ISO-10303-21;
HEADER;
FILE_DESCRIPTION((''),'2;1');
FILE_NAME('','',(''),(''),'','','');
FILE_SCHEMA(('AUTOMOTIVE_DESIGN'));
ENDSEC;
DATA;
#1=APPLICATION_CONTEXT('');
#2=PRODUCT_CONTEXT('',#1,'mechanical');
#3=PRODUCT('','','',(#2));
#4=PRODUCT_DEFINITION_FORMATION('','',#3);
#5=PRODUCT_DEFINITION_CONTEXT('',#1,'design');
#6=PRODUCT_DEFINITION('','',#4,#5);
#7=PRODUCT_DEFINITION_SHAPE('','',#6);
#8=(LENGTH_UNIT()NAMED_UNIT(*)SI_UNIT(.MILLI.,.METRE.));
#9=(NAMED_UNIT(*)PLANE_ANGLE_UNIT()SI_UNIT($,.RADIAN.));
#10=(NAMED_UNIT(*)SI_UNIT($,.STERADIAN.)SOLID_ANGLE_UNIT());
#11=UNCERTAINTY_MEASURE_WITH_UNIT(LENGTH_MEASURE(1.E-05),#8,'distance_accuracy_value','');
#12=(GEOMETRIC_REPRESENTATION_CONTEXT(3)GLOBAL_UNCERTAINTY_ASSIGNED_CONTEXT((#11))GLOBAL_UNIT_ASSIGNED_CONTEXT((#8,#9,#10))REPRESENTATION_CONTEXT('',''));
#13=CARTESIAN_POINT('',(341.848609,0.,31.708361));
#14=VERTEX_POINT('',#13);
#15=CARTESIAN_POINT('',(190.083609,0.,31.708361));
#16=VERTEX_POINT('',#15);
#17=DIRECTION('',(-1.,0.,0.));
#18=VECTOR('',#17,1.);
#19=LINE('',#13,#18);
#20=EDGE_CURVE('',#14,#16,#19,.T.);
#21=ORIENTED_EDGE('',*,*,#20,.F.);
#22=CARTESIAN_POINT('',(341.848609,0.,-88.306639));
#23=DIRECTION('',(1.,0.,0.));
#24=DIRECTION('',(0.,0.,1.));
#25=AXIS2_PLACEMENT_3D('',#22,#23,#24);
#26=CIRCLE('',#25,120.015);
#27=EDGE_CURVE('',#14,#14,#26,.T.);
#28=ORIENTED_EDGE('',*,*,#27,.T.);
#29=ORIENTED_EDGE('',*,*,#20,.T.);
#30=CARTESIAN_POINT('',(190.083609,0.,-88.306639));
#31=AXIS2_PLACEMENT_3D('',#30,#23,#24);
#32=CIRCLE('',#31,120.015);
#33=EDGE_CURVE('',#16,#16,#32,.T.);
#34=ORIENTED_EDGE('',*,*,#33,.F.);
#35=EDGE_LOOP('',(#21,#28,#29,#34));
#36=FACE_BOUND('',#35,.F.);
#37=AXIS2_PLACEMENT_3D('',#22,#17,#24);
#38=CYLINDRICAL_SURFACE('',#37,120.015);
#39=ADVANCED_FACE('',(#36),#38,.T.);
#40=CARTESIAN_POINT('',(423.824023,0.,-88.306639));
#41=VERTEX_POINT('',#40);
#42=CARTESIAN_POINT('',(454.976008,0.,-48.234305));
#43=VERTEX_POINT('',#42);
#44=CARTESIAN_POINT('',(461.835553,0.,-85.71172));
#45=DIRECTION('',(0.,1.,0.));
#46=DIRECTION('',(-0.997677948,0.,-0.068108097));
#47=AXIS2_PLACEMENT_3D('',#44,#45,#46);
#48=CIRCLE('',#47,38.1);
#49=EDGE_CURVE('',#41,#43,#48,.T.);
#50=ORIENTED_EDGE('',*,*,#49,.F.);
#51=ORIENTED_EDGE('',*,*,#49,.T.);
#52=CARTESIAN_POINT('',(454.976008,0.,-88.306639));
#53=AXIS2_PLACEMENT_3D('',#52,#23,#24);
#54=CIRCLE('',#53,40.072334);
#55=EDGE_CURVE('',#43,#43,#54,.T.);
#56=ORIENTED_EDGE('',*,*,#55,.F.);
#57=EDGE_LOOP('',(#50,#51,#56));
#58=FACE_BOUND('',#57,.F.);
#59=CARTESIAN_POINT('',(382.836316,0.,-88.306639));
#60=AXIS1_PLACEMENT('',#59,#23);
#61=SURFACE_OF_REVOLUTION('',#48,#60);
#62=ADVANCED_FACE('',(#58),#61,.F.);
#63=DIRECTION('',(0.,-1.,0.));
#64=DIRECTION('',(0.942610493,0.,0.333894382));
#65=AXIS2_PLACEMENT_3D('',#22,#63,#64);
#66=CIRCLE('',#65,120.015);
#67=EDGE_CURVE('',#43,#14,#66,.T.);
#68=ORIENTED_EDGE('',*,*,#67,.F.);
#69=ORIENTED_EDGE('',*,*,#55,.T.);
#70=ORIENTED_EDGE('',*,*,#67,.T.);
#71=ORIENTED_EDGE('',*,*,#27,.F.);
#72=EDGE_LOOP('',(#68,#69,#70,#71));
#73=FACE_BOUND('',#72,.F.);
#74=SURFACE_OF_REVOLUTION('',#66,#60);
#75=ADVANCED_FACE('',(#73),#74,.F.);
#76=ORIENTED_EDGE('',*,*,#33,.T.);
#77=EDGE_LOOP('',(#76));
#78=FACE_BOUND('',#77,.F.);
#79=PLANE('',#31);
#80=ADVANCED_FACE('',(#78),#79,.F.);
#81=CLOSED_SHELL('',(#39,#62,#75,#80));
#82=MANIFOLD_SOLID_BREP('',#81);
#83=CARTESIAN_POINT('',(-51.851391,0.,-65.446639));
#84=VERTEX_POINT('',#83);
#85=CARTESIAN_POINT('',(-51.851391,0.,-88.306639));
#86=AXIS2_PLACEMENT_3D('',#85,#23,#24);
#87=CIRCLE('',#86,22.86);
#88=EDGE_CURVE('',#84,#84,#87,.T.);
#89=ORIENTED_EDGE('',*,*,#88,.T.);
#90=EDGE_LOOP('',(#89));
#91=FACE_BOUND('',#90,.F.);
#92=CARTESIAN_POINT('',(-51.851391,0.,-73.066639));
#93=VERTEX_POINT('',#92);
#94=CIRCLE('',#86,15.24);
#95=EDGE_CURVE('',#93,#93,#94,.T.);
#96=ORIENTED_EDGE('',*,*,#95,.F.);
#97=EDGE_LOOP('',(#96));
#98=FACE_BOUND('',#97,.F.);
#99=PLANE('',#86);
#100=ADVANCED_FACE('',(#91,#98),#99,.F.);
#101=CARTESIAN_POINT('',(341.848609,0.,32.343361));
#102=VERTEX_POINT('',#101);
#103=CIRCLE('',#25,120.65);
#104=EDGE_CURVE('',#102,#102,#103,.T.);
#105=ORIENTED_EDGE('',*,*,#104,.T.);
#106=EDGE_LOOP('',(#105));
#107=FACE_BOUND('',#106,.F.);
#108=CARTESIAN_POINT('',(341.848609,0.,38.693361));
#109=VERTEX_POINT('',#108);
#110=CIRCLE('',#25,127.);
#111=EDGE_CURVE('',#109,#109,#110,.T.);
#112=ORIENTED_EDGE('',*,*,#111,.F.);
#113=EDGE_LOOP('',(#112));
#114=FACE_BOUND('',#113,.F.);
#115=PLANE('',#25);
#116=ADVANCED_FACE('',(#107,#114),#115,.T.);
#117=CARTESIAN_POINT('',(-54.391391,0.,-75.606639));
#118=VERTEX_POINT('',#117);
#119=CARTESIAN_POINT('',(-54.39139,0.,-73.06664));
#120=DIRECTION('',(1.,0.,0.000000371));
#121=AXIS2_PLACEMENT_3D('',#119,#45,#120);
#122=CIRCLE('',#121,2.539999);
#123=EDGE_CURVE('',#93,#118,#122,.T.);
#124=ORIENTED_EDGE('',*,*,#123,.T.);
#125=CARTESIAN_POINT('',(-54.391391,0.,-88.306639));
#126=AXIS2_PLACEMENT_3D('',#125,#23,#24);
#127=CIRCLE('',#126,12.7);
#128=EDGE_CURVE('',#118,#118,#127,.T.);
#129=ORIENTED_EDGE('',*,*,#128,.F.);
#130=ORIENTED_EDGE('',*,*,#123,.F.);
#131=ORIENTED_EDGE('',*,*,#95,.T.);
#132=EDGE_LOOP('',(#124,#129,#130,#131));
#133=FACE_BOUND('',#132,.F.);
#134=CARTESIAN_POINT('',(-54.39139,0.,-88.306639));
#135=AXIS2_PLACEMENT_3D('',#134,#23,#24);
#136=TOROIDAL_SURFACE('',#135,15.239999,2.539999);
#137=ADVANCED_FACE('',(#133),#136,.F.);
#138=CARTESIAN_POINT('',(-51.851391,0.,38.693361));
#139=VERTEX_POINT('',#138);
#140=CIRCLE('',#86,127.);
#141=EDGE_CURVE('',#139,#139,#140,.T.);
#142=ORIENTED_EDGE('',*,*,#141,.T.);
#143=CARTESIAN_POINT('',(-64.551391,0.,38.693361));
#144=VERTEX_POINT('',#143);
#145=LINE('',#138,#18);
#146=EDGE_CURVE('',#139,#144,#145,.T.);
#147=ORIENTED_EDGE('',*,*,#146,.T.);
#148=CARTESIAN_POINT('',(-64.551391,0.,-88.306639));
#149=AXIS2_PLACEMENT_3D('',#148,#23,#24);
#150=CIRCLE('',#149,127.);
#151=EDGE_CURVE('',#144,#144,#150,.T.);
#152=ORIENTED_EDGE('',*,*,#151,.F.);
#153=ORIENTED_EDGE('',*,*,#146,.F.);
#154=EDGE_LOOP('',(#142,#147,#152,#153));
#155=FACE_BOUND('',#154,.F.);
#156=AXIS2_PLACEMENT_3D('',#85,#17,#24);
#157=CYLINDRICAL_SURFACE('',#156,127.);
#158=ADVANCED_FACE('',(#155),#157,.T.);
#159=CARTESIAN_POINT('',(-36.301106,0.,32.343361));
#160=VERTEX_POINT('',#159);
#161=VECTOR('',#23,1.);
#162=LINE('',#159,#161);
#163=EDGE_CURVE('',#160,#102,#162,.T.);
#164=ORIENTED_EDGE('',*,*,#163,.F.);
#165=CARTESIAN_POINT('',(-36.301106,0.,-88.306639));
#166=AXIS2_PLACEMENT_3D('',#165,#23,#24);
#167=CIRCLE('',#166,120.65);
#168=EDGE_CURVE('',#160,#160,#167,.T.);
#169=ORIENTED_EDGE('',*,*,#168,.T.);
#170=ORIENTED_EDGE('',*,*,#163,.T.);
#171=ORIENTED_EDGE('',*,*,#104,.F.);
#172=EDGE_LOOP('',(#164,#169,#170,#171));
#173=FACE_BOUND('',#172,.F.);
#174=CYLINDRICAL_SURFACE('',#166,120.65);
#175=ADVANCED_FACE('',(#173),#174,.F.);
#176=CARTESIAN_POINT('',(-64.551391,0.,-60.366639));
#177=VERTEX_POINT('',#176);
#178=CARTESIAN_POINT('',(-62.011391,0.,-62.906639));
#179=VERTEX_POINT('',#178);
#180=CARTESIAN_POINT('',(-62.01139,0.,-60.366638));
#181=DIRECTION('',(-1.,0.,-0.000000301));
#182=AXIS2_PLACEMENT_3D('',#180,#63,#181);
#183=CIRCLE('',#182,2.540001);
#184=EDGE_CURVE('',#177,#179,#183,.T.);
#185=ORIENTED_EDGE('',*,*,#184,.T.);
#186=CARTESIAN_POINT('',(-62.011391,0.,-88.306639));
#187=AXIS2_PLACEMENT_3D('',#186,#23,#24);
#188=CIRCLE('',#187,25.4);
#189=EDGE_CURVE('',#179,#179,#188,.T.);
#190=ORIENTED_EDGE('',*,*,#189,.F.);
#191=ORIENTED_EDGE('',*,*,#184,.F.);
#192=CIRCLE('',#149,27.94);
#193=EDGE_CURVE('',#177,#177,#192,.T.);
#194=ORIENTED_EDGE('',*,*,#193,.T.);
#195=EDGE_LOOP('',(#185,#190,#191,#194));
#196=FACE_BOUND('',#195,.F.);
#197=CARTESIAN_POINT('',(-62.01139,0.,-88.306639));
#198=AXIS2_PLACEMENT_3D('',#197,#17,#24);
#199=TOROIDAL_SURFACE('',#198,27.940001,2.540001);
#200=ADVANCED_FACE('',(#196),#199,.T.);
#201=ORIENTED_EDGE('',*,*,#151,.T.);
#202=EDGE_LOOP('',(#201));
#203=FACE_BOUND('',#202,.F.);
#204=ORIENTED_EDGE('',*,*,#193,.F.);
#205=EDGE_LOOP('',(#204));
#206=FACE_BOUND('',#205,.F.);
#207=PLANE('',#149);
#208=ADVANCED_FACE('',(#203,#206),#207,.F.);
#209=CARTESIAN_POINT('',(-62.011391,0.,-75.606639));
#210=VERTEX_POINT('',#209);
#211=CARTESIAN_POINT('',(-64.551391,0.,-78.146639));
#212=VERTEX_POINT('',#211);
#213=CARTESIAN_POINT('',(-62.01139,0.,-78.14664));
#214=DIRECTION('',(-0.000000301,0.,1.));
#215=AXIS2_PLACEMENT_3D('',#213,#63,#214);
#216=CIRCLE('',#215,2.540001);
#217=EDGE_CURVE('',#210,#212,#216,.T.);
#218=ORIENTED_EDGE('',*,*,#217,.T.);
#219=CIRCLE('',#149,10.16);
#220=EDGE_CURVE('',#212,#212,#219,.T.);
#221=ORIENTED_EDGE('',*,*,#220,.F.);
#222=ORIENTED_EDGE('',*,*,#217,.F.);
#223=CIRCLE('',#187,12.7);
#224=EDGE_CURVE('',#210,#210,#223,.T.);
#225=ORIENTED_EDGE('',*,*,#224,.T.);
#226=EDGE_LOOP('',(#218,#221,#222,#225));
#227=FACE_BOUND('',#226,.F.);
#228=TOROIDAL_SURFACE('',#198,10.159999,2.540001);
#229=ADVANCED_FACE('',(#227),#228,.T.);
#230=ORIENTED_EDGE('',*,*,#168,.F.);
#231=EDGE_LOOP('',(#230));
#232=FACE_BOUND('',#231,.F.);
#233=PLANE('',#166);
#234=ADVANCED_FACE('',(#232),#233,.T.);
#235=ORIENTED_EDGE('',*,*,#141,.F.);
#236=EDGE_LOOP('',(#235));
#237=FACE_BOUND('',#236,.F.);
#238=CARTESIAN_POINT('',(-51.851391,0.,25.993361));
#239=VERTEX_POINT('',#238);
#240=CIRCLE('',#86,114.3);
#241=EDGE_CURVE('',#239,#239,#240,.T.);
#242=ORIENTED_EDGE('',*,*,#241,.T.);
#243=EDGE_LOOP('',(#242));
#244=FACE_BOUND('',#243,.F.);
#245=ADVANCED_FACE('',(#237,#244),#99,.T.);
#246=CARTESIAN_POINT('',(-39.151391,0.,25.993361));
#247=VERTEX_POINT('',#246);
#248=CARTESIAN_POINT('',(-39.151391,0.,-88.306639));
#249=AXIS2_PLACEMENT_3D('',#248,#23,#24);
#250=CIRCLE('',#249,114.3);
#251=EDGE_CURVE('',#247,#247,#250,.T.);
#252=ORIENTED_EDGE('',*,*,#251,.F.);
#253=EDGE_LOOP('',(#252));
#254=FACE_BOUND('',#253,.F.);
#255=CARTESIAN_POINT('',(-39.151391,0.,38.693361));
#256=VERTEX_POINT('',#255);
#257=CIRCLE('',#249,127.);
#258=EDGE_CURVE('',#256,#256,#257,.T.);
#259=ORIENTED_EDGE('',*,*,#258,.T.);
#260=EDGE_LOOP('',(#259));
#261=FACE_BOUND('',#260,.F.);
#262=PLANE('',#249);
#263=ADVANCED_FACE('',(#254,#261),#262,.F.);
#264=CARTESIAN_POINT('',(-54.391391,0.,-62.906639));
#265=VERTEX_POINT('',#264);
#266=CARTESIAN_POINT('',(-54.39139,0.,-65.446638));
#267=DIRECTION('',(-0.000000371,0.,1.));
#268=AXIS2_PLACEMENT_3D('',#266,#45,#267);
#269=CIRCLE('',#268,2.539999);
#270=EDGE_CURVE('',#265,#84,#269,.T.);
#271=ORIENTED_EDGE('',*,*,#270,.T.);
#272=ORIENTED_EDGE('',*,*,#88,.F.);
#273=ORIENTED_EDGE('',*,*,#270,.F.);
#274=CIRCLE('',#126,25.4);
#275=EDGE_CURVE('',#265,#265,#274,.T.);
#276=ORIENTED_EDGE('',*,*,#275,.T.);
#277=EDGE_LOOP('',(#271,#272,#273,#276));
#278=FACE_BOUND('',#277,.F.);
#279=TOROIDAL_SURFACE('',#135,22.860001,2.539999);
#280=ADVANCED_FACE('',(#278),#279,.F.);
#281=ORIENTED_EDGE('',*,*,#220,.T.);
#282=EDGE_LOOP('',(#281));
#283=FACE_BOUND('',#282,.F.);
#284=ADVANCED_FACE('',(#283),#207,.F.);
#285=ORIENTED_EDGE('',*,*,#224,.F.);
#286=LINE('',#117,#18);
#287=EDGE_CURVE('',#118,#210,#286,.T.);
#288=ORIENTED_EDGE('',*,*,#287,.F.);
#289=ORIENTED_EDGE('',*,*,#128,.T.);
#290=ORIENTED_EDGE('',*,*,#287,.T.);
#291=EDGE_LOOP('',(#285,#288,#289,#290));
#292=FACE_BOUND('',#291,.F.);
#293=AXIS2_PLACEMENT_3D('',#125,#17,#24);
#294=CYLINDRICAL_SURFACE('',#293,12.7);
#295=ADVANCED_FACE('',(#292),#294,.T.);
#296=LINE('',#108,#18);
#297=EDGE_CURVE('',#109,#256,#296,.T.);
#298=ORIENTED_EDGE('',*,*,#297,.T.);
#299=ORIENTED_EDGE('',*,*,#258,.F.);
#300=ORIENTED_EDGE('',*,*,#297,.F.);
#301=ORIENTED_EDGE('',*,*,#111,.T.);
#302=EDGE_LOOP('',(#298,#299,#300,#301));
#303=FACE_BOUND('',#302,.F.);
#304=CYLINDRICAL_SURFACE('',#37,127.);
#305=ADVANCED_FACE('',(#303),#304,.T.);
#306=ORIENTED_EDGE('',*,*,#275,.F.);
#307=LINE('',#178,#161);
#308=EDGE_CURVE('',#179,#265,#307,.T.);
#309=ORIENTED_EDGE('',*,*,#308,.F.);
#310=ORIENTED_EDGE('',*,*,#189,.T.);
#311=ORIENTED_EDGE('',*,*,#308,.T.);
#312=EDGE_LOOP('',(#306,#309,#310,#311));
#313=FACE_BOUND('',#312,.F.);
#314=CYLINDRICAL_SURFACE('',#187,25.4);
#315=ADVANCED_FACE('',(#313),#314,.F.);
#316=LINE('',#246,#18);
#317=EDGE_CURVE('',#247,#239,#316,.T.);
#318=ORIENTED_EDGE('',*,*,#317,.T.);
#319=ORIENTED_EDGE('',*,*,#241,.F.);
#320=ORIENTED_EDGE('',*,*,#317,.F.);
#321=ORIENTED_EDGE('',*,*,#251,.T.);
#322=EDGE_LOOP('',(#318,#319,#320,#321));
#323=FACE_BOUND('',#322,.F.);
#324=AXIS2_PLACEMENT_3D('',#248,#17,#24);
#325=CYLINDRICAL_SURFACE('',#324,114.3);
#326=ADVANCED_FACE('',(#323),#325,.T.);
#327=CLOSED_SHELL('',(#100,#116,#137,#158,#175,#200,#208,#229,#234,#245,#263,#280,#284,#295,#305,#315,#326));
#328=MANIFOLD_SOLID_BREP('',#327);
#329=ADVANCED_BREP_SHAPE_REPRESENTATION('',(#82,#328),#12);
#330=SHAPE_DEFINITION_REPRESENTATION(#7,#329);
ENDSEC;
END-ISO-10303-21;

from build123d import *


with BuildPart() as f1:
    # F0 (on Front) → F1 (revolve)
    with BuildSketch(Plane.XZ):
        with BuildLine():
            Line((-51.851391, 38.693361), (-64.551391, 38.693361))
            Line((-64.551391, 38.693361), (-64.551391, -60.366639))
            ThreePointArc((-64.551391, -60.366639), (-63.807442, -62.16269), (-62.011391, -62.906639))
            Line((-62.011391, -62.906639), (-54.391391, -62.906639))
            ThreePointArc((-54.391391, -62.906639), (-52.595339, -63.650588), (-51.851391, -65.446639))
            Line((-51.851391, -65.446639), (-51.851391, -73.066639))
            ThreePointArc((-51.851391, -73.066639), (-52.595339, -74.86269), (-54.391391, -75.606639))
            Line((-54.391391, -75.606639), (-62.011391, -75.606639))
            ThreePointArc((-62.011391, -75.606639), (-63.807442, -76.350588), (-64.551391, -78.146639))
            Line((-64.551391, -78.146639), (-64.551391, -88.306639))
            Line((-64.551391, -88.306639), (-36.301106, -88.306639))
            Line((-36.301106, -88.306639), (-36.301106, 32.343361))
            Line((-36.301106, 32.343361), (189.448609, 32.343361))
            Line((189.448609, 32.343361), (341.848609, 32.343361))
            Line((341.848609, 32.343361), (341.848609, 38.693361))
            Line((341.848609, 38.693361), (-39.151391, 38.693361))
            Line((-39.151391, 38.693361), (-39.151391, 25.993361))
            Line((-39.151391, 25.993361), (-51.851391, 25.993361))
            Line((-51.851391, 25.993361), (-51.851391, 38.693361))
        make_face()
    revolve(axis=Axis((62.448609, 0, -88.306639), (1, 0, 0)))


with BuildPart() as f2:
    # F0 (on Front) → F2 (revolve)
    with BuildSketch(Plane.XZ):
        with BuildLine():
            ThreePointArc((454.976008, -48.234305), (411.110139, 9.705813), (341.848609, 31.708361))
            Line((341.848609, 31.708361), (190.083609, 31.708361))
            Line((190.083609, 31.708361), (190.083609, -88.306639))
            Line((190.083609, -88.306639), (341.848609, -88.306639))
            Line((341.848609, -88.306639), (423.824023, -88.306639))
            ThreePointArc((423.824023, -88.306639), (431.755637, -62.32778), (454.976008, -48.234305))
        make_face()
    revolve(axis=Axis((382.836316, 0, -88.306639), (1, 0, 0)))


solid = Compound([f1.part, f2.part])
